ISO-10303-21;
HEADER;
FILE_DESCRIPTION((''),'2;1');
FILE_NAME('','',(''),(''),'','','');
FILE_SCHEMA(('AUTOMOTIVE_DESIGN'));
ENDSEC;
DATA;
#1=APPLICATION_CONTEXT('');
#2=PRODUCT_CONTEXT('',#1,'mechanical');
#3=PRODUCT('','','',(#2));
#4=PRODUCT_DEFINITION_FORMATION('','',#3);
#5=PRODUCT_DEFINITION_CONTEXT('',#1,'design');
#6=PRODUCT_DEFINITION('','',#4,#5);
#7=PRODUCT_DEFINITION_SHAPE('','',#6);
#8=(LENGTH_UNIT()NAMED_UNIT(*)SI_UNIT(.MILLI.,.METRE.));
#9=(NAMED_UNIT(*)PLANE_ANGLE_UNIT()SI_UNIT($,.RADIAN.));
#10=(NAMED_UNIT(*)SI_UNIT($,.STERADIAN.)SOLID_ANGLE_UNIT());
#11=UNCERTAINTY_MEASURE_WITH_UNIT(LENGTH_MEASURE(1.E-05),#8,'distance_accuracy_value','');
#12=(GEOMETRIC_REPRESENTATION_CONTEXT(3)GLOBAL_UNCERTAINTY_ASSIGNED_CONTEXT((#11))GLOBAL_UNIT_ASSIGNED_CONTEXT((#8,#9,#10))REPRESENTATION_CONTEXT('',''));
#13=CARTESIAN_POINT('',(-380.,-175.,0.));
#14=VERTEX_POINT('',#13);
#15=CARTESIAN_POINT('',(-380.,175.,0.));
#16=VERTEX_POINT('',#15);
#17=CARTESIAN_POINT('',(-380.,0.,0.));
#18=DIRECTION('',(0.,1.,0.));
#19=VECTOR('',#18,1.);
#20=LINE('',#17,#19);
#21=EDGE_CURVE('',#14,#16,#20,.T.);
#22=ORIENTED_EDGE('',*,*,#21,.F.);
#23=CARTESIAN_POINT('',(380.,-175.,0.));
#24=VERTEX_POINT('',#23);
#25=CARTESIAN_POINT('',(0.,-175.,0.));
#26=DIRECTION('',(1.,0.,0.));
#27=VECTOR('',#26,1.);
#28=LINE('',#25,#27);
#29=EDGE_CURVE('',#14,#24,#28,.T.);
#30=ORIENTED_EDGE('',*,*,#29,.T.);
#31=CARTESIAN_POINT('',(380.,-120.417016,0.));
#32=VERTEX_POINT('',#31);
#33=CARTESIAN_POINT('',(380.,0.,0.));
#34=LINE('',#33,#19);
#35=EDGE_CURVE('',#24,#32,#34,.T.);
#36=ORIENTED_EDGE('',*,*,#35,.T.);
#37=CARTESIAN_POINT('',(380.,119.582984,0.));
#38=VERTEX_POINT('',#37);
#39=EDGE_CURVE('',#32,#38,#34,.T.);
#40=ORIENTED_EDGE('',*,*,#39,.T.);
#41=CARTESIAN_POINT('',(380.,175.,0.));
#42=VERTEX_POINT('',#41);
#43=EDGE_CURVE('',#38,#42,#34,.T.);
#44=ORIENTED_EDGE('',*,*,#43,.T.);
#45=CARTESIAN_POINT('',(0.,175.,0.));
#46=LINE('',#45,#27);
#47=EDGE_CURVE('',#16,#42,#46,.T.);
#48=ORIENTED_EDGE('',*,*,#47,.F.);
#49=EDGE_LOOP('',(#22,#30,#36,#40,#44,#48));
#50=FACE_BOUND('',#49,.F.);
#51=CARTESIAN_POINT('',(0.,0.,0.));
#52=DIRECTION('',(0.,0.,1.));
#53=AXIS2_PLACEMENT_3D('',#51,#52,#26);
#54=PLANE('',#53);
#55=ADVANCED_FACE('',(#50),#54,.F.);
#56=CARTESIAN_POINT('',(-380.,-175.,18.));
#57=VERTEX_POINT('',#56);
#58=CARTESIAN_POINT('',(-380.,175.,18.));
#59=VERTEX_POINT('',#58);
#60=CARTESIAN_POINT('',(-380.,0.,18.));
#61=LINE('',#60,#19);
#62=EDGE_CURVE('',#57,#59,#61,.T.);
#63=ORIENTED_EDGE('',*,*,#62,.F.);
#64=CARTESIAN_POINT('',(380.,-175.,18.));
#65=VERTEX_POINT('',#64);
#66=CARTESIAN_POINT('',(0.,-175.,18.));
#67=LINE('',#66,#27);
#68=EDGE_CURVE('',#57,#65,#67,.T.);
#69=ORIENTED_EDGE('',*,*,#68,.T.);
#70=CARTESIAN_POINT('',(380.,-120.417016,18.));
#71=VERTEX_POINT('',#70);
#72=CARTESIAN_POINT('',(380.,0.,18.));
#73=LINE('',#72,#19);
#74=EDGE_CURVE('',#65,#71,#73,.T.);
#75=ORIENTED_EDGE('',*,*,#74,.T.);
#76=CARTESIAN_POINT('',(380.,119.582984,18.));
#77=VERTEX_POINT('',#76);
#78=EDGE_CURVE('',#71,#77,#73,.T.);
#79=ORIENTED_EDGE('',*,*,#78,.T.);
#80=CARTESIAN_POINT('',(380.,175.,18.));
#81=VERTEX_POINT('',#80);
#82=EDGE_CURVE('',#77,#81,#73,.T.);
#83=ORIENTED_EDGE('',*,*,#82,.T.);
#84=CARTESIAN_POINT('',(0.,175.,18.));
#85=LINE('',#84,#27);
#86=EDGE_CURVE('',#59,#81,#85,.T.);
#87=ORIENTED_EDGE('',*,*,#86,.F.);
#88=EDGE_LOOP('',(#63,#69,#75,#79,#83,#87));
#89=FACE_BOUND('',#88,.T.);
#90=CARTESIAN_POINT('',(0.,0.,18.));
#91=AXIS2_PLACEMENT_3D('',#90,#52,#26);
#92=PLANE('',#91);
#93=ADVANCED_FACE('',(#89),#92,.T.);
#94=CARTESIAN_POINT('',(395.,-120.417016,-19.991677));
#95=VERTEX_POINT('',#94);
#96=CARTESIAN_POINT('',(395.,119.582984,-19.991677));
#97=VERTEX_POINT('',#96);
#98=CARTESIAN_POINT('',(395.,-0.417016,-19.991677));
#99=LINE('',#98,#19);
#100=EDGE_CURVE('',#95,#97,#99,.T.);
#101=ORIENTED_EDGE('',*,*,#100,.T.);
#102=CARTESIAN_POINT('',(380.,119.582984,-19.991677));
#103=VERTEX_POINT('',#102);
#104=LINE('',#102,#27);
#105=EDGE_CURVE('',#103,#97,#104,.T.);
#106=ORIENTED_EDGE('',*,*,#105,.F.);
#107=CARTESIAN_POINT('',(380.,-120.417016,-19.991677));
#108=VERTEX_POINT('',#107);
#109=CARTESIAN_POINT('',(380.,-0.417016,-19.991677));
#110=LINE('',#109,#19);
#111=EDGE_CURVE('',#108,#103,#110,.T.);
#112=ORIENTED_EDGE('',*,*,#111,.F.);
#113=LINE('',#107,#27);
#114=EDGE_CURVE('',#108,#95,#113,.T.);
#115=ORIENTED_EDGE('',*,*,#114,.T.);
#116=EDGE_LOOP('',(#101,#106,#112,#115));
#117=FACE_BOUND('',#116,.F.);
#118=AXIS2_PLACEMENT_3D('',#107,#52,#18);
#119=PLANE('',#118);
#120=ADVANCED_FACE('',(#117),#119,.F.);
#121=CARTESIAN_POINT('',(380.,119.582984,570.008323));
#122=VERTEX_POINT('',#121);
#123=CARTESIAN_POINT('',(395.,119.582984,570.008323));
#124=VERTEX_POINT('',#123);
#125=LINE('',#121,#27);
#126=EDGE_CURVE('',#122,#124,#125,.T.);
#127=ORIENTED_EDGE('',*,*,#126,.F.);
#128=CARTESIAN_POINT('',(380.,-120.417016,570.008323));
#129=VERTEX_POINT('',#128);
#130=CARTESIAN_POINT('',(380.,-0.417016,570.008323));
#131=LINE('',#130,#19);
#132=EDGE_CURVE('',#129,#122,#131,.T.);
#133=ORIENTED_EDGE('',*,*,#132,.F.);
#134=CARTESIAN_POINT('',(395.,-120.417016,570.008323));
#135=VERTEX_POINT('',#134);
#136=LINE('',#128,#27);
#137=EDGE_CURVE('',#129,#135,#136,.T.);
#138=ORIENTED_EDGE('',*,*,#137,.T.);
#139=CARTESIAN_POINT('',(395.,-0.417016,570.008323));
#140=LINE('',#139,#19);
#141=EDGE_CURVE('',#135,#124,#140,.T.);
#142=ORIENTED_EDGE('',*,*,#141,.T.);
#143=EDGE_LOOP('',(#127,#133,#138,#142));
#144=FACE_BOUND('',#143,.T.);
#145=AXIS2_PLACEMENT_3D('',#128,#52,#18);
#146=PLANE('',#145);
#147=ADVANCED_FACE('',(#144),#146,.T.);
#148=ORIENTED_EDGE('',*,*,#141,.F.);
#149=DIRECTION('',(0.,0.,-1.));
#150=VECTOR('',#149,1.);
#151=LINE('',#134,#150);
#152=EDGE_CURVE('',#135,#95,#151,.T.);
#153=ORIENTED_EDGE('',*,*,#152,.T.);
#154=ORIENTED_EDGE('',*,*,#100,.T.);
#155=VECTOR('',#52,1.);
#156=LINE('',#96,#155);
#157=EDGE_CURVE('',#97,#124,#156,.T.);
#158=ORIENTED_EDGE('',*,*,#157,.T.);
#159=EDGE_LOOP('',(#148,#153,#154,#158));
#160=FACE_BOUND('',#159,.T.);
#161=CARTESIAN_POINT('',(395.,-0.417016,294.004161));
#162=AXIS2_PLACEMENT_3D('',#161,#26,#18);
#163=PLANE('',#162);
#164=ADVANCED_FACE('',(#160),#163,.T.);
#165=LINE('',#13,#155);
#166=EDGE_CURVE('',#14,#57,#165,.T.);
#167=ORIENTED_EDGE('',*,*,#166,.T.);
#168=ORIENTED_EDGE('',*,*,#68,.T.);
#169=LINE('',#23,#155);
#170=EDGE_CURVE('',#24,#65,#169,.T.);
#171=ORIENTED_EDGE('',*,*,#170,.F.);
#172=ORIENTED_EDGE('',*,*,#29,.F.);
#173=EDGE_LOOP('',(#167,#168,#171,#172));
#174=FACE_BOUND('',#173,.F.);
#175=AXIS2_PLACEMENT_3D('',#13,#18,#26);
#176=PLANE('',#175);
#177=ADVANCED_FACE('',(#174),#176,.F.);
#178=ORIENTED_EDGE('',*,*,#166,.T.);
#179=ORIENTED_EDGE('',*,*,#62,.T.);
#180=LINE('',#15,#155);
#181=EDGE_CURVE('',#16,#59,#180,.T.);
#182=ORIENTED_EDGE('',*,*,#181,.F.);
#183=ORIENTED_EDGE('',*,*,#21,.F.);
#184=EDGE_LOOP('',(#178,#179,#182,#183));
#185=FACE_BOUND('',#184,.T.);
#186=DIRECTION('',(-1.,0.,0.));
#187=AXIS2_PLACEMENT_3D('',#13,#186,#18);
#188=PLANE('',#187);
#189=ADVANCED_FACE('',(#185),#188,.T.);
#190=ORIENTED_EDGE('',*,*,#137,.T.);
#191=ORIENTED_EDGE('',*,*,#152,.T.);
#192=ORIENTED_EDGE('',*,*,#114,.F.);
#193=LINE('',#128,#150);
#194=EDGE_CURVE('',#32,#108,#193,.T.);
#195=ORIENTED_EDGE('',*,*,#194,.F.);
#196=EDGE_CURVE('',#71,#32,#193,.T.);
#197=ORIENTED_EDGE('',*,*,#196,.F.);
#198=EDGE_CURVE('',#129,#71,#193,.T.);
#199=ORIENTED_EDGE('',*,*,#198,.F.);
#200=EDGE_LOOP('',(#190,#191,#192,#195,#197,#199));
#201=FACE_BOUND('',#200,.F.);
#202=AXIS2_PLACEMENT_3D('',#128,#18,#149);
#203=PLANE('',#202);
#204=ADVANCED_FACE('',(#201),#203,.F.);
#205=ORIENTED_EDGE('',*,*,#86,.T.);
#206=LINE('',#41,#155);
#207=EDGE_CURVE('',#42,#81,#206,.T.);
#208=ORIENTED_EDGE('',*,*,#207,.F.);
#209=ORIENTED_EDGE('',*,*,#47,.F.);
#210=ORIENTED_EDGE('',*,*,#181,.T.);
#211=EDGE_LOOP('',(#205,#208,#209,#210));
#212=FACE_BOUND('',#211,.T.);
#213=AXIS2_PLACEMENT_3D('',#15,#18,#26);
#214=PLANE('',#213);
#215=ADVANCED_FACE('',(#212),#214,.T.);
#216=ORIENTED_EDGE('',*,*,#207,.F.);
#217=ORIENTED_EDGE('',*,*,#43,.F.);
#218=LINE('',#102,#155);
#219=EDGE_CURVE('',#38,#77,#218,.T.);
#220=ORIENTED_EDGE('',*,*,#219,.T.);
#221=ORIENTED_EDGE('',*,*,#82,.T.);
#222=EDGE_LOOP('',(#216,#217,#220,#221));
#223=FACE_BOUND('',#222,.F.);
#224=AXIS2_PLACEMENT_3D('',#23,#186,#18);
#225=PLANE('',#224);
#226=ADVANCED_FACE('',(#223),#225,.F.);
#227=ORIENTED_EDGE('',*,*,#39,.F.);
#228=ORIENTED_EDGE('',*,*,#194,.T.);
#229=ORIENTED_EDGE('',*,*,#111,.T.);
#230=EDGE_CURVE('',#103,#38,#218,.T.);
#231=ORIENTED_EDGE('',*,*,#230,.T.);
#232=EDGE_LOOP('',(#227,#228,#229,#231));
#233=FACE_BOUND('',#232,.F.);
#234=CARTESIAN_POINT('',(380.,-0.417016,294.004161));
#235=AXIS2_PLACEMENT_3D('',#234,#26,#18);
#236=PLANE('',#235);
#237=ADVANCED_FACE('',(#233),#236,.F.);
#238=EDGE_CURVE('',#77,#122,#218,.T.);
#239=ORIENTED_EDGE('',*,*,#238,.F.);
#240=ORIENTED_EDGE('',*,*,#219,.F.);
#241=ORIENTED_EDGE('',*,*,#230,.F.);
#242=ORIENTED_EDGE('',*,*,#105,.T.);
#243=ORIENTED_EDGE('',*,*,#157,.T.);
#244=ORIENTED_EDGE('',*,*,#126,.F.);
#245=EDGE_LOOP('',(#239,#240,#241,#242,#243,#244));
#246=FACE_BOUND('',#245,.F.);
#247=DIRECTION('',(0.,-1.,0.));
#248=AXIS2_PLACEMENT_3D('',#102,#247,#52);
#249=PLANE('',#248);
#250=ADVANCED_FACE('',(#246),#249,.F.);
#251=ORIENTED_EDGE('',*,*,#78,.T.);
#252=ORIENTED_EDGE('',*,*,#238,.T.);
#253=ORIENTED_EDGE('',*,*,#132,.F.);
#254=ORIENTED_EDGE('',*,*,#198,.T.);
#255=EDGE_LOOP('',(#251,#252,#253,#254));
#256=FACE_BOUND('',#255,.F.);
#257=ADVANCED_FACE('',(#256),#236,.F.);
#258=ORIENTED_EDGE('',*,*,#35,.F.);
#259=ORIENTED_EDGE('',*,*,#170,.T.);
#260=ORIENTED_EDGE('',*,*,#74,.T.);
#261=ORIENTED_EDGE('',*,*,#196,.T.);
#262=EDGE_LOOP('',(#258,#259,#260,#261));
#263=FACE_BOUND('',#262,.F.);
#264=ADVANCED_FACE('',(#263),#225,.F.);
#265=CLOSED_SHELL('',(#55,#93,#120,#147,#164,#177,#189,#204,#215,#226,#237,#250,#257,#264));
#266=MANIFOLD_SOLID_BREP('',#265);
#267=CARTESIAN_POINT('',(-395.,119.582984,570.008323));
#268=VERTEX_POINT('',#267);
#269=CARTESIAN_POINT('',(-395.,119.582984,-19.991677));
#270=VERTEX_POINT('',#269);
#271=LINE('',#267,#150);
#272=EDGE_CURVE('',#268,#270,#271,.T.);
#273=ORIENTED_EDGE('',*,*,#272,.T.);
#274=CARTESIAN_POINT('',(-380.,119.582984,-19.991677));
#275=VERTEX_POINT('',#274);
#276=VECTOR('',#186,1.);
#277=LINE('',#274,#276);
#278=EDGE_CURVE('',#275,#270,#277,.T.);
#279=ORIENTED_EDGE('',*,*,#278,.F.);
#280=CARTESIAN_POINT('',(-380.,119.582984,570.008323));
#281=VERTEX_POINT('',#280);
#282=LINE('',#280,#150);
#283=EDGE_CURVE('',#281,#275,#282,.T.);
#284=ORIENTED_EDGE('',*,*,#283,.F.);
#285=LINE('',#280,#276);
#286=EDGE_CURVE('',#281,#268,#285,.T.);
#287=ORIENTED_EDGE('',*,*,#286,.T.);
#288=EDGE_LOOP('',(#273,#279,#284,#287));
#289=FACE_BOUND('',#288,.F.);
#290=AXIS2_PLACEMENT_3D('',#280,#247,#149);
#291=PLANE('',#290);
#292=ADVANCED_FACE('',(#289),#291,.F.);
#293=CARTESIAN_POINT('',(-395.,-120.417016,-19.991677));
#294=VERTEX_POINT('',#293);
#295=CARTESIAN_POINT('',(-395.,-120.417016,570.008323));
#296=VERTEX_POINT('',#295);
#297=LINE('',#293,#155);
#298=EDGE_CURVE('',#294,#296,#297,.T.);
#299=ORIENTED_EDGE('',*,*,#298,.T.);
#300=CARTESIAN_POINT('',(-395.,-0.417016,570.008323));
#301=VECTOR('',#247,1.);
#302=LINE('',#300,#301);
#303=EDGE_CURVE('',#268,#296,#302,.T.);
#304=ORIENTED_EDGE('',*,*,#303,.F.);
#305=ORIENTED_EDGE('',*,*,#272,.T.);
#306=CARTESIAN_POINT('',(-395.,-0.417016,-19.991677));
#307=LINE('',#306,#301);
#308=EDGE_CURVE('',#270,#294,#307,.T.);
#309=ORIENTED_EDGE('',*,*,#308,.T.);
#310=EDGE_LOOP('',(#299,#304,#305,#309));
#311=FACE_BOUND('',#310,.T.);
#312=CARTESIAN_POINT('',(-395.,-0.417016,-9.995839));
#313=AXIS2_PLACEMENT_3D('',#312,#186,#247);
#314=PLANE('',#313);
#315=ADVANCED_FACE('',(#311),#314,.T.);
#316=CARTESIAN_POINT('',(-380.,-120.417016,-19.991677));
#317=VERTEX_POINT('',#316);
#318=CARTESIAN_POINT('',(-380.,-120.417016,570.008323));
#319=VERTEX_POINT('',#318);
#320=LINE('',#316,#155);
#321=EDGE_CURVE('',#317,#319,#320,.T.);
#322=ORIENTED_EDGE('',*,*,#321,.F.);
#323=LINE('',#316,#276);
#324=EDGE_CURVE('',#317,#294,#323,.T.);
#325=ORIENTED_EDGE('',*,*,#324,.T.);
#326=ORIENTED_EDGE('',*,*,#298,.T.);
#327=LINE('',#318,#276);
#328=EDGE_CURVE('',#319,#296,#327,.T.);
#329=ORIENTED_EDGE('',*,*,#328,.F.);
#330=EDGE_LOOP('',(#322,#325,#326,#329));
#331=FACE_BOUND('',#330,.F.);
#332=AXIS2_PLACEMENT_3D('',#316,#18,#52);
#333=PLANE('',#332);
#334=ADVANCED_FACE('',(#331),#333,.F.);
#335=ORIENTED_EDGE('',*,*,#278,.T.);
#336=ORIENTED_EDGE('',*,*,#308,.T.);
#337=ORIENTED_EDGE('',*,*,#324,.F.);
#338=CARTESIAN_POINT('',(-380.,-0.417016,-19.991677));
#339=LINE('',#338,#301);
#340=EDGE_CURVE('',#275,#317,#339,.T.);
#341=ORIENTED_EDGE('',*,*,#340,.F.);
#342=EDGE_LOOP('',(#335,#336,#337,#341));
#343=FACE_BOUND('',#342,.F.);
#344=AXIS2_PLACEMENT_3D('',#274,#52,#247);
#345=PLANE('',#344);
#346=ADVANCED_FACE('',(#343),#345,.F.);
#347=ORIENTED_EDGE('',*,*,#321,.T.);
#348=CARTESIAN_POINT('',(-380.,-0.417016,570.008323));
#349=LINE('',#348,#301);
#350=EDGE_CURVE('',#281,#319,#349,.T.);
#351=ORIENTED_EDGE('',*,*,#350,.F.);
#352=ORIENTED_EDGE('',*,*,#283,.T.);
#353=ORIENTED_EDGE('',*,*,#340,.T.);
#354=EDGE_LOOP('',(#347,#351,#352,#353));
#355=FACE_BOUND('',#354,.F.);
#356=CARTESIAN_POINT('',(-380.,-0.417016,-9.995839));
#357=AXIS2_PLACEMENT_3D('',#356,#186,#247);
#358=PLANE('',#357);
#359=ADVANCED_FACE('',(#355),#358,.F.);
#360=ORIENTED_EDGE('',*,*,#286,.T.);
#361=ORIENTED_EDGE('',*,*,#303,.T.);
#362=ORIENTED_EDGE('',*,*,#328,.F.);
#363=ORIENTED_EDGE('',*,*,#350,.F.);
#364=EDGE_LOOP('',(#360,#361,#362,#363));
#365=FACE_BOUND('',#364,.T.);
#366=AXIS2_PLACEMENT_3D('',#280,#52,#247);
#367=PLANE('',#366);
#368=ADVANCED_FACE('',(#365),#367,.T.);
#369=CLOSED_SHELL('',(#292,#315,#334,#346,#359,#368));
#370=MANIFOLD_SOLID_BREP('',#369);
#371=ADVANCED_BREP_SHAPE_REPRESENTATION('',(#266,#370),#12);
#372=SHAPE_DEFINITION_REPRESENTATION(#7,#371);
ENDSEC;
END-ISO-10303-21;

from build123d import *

# Parameters (mm, degrees)
F0_W     = 760
F0_H     = 350
F1_DEPTH = 18
F2_W     = 240
F2_H     = 19.9916773911
F2_H_2   = 18
F2_H_3   = 552.0083226089
F3_DEPTH = 15
F4_W     = 240
F4_H     = 552.0083226089
F4_H_2   = 18
F4_H_3   = 19.9916773911
F5_DEPTH = 15


with BuildPart() as f1:
    # F0 (on Top) → F1 (new body)
    with BuildSketch(Plane.XY):
        Rectangle(F0_W, F0_H)
    extrude(amount=F1_DEPTH)

    # F4 (on face) → F5 (join)
    with BuildSketch(Plane.YZ.offset(380)):
        with Locations((-0.4170164466, 294.0041613045)):
            Rectangle(F4_W, F4_H)
        with Locations((-0.4170164466, 9)):
            Rectangle(F4_W, F4_H_2)
        with Locations((-0.4170164466, -9.9958386955)):
            Rectangle(F4_W, F4_H_3)
    extrude(amount=F5_DEPTH)


with BuildPart() as f3:
    # F2 (on face) → F3 (new body)
    with BuildSketch(Plane(origin=(-380, 0, 0), x_dir=(0, -1, 0), z_dir=(-1, 0, 0))):
        with Locations((0.4170164466, -9.9958386955)):
            Rectangle(F2_W, F2_H)
        with Locations((0.4170164466, 9)):
            Rectangle(F2_W, F2_H_2)
        with Locations((0.4170164466, 294.0041613045)):
            Rectangle(F2_W, F2_H_3)
    extrude(amount=F3_DEPTH)


solid = Compound([f1.part, f3.part])
